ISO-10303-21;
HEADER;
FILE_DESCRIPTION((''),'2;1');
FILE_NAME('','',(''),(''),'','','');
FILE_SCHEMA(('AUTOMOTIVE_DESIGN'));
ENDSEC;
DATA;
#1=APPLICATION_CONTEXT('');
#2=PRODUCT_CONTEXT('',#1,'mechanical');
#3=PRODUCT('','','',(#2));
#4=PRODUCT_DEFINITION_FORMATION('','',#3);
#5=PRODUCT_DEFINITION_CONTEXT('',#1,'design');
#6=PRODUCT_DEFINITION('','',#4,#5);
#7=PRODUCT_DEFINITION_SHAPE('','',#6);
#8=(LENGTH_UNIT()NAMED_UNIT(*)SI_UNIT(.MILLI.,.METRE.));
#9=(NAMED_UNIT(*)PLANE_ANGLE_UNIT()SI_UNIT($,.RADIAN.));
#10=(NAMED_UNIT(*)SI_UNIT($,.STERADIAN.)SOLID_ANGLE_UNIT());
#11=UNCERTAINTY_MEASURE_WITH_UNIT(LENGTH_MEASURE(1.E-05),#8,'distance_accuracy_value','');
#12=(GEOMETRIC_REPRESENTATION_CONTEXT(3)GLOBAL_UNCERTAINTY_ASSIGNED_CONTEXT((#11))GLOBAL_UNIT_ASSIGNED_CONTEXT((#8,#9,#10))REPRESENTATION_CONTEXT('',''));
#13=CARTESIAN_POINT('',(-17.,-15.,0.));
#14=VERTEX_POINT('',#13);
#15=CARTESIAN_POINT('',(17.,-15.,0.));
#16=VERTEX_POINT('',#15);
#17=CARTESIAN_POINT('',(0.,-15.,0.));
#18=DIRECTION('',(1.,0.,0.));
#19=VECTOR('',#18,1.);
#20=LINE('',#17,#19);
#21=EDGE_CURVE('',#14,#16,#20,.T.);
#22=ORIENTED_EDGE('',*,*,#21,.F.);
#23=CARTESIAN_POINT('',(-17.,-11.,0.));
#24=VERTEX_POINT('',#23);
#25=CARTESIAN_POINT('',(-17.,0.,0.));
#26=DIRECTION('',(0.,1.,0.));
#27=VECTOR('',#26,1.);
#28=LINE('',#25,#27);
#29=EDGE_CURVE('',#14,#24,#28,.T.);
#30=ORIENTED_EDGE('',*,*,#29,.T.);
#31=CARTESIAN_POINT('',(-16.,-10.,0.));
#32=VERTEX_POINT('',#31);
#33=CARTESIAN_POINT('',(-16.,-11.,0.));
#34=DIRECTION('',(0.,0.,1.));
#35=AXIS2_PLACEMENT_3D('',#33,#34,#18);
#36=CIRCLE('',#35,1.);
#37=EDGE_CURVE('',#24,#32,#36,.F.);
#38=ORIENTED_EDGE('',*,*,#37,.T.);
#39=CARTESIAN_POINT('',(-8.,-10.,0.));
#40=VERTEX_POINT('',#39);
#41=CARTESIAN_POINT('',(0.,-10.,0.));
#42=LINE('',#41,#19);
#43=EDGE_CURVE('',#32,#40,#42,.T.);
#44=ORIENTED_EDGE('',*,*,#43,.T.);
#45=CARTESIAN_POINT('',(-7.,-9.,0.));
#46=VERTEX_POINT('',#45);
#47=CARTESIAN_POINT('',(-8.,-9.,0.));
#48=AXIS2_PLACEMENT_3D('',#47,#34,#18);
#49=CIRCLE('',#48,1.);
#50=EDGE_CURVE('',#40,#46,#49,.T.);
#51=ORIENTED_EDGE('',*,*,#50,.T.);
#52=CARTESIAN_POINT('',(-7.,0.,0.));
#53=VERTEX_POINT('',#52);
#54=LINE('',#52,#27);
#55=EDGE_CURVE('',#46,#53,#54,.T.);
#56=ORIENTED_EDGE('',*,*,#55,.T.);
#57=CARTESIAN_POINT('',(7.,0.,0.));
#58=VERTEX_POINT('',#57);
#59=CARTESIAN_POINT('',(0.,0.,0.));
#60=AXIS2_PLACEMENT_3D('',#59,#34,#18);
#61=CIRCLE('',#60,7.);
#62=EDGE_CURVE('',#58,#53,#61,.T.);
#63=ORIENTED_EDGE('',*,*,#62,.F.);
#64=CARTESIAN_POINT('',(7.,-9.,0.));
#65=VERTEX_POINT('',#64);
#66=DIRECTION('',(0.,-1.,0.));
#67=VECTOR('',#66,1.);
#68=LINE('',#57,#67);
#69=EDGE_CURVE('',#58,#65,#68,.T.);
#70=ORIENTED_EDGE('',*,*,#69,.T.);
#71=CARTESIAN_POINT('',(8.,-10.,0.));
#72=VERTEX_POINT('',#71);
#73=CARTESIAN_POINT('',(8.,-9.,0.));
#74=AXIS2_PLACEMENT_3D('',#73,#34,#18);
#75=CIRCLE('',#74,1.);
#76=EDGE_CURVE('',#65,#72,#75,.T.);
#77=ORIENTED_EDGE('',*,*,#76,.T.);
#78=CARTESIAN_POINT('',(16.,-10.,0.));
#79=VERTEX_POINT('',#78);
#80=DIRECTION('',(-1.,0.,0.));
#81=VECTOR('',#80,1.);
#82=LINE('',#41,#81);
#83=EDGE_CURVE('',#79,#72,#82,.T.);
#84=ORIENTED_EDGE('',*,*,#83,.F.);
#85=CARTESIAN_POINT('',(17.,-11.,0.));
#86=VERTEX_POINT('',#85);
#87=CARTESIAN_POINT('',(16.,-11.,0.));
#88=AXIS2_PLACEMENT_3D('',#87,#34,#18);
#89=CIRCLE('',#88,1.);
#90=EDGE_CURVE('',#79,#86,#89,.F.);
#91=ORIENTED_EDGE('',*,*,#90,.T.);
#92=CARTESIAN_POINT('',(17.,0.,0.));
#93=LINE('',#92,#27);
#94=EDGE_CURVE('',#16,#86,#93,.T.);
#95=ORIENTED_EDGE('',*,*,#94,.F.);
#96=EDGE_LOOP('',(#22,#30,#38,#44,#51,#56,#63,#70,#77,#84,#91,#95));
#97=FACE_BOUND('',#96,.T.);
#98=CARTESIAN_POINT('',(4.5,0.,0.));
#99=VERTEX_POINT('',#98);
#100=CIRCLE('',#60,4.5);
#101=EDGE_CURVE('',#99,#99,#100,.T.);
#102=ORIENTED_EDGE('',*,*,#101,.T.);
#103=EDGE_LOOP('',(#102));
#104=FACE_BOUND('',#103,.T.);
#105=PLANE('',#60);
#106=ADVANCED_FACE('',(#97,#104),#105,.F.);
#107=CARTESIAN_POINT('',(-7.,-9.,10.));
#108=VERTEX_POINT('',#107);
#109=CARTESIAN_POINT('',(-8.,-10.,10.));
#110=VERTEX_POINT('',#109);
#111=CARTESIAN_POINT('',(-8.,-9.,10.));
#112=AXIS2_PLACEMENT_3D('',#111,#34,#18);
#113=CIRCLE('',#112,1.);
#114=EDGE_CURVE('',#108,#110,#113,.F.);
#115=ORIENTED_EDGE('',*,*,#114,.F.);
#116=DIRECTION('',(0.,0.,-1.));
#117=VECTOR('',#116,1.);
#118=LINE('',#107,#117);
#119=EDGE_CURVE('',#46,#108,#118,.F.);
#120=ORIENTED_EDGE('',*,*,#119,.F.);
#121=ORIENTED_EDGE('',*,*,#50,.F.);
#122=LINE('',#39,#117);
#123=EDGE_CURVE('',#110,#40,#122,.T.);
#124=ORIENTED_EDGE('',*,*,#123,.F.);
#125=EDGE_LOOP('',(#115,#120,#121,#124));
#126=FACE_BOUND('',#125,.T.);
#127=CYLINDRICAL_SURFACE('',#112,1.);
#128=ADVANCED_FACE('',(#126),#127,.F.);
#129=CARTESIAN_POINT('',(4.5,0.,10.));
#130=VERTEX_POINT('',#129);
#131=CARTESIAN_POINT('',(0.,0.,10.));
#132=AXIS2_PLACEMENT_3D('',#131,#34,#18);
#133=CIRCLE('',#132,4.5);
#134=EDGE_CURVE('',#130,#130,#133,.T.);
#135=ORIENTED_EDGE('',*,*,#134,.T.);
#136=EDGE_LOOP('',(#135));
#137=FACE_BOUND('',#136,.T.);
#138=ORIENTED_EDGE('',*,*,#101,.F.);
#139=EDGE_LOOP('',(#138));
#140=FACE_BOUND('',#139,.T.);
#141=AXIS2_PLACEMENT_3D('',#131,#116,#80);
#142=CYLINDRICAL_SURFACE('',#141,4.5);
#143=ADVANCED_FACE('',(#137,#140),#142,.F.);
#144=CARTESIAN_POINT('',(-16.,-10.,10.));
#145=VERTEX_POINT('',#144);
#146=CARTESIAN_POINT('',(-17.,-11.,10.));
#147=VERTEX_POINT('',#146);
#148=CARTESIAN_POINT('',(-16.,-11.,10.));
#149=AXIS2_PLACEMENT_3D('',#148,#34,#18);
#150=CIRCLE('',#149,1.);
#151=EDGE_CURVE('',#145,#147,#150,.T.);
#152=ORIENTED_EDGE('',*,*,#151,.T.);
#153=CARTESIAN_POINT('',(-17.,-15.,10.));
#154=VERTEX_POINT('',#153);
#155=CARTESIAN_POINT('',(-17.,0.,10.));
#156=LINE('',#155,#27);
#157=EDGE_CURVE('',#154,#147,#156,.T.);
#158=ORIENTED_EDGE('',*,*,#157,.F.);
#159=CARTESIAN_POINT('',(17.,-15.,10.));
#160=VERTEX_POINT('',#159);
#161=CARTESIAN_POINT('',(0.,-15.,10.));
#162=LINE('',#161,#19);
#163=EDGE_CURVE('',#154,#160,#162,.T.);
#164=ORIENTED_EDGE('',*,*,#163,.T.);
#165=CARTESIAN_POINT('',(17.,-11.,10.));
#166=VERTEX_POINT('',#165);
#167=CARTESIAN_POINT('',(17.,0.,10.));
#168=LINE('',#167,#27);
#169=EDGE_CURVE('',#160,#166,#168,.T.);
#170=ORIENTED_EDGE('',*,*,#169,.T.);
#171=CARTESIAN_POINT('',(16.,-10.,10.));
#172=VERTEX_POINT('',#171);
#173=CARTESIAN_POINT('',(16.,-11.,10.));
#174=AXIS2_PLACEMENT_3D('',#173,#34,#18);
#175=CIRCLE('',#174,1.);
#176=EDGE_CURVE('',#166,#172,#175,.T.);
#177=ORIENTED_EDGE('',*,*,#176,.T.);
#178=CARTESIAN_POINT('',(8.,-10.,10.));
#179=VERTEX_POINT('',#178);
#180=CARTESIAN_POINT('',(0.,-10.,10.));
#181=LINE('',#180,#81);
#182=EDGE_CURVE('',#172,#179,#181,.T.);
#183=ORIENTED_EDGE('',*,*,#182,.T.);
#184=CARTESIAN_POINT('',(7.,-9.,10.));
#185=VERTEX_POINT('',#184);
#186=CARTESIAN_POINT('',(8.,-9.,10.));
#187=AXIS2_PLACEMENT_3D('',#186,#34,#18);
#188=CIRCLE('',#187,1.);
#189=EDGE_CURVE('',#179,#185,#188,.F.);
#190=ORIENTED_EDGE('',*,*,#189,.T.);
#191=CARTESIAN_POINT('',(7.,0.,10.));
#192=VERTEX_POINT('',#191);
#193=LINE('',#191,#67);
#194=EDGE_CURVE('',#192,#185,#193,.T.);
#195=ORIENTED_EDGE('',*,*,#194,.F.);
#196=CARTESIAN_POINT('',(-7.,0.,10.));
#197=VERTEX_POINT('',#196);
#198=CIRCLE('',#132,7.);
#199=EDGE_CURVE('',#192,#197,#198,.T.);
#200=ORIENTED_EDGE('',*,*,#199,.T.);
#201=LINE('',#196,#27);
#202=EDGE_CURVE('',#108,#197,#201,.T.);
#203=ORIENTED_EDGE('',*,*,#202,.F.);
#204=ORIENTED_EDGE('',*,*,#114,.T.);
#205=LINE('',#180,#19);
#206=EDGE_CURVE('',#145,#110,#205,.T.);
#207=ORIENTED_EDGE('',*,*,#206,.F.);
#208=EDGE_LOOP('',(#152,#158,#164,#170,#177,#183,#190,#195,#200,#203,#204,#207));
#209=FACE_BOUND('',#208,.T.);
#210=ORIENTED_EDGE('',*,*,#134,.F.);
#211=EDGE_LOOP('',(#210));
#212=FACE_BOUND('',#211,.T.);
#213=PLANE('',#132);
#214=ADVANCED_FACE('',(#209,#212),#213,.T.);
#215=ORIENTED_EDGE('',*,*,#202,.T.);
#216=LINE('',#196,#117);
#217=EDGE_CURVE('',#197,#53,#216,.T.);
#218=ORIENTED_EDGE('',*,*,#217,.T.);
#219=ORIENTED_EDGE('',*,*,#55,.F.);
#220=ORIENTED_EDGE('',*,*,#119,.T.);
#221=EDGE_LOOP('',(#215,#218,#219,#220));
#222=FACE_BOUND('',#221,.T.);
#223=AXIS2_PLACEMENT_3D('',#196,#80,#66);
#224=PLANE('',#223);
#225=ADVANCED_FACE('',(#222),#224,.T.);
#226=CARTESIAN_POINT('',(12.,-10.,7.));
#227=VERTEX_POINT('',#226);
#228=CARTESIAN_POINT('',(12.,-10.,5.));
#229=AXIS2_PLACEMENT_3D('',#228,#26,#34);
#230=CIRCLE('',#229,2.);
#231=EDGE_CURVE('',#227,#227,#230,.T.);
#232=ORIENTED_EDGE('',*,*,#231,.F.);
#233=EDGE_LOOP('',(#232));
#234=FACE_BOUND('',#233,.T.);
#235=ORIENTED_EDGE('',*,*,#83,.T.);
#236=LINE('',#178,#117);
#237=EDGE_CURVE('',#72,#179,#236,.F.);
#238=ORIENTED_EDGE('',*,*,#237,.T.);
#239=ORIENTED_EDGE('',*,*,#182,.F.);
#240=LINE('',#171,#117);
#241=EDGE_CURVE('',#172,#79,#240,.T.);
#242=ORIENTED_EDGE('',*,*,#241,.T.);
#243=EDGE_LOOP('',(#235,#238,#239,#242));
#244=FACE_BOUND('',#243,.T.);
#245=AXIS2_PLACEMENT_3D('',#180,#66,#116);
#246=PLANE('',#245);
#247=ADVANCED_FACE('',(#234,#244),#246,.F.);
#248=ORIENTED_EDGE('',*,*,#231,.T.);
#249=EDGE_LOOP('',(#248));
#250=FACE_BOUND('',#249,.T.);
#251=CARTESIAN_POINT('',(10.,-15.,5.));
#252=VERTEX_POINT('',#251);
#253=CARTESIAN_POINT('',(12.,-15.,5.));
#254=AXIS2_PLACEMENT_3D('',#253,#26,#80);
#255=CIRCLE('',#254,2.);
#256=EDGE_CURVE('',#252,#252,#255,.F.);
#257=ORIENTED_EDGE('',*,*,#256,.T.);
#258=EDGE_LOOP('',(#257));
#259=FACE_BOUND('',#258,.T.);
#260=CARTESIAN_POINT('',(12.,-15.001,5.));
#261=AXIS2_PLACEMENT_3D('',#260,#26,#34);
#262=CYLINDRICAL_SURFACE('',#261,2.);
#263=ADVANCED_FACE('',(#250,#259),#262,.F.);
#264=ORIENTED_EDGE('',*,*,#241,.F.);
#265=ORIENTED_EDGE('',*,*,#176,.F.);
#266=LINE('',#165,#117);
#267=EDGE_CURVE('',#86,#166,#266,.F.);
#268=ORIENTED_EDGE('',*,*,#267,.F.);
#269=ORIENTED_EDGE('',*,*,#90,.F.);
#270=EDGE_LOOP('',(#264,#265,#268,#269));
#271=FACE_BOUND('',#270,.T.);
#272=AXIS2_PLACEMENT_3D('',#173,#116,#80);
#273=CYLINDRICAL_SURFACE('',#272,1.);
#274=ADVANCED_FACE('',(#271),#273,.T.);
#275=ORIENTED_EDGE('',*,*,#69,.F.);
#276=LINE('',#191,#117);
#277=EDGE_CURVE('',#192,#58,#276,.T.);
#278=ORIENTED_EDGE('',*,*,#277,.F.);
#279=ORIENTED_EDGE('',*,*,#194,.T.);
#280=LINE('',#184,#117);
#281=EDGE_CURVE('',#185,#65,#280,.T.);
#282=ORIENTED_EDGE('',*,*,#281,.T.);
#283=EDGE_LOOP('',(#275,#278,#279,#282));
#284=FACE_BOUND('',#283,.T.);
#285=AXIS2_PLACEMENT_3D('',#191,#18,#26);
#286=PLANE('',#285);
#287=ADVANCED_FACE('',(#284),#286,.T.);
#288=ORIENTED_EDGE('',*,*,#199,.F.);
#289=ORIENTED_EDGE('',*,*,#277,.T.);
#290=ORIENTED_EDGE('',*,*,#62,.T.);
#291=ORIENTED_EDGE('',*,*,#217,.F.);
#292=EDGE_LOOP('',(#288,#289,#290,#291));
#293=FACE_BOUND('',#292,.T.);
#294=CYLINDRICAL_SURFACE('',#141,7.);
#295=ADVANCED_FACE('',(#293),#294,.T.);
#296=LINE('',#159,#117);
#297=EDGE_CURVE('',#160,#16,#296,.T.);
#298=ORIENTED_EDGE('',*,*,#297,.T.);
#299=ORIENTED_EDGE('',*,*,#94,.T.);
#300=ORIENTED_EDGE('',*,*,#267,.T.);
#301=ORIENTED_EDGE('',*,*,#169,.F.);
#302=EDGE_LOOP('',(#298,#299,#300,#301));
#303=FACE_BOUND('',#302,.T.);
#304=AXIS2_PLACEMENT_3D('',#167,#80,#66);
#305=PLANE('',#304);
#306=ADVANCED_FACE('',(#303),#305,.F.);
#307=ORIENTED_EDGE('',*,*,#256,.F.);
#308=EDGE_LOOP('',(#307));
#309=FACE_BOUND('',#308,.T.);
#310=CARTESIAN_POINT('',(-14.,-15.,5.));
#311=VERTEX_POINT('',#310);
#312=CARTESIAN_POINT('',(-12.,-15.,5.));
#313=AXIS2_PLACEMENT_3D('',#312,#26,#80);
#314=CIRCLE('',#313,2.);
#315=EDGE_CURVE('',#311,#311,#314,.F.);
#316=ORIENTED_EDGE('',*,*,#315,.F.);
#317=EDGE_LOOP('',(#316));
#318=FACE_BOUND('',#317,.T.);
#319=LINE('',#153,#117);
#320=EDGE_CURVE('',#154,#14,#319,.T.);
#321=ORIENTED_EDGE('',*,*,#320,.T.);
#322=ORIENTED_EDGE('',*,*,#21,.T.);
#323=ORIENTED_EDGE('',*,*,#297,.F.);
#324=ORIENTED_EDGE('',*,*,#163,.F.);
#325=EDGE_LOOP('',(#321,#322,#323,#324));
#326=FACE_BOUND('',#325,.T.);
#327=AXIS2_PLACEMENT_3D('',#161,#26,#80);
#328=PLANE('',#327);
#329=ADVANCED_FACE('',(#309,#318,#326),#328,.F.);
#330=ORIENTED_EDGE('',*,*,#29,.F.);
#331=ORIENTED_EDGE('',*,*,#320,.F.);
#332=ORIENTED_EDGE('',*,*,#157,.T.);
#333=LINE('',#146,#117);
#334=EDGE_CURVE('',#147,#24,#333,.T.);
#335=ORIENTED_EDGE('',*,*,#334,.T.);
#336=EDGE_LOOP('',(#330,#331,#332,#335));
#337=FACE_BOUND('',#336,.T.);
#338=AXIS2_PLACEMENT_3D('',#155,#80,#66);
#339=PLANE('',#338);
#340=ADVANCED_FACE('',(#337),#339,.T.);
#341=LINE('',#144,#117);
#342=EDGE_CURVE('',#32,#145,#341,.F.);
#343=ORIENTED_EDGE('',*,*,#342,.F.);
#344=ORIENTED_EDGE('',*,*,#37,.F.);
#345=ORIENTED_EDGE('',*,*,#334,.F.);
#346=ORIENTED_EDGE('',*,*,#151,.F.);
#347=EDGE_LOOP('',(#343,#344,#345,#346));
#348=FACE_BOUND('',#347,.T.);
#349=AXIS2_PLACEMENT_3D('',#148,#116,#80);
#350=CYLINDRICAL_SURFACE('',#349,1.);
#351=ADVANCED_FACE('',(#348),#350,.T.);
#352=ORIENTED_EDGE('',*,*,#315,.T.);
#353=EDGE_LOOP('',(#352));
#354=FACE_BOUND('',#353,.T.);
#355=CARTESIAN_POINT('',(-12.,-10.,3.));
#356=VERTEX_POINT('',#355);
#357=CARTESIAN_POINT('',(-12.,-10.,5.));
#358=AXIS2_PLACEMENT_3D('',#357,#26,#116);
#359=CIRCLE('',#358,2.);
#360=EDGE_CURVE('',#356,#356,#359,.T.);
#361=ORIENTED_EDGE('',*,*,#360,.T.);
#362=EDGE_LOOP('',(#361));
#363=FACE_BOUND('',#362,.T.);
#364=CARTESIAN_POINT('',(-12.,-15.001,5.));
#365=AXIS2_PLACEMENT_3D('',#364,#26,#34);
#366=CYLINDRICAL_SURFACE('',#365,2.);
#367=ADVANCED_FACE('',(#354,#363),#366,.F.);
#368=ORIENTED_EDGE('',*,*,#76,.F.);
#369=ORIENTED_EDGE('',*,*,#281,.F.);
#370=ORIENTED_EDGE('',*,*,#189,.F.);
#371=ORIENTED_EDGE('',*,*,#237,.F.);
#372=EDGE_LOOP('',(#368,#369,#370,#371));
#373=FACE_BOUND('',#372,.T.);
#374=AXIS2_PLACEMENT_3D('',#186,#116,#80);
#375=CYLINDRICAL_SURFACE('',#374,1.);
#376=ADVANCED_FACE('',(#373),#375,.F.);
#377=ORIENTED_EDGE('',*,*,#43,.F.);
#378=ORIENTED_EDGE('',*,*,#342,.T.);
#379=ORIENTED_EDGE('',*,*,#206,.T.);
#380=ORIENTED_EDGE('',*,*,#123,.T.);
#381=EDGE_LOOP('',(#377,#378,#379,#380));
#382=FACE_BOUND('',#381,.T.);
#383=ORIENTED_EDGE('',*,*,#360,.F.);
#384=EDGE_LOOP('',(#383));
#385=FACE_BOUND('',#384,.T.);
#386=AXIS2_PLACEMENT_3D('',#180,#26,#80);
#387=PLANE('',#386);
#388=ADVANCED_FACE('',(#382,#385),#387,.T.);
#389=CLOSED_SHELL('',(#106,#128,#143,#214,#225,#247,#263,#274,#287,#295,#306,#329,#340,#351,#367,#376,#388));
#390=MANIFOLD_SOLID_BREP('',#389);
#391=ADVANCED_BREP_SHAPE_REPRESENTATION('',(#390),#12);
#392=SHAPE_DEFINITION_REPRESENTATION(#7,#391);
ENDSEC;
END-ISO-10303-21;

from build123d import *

# Parameters (mm, degrees)
SKETCH_1_R          = 4.5
EXTRUDE_1_DEPTH     = 10
CUT_EXTRUDE_1_REACH = 7
SKETCH_2_R          = 2
FILLET_2_R          = 1


with BuildPart() as part:
    # 草圖1 → 填料-伸長1 (new body)
    with BuildSketch(Plane.XY):
        with BuildLine():
            Line((7, -10), (7, 0))
            ThreePointArc((7, 0), (0, 7), (-7, 0))
            Line((-7, 0), (-7, -10))
            Line((-7, -10), (-17, -10))
            Line((-17, -10), (-17, -15))
            Line((-17, -15), (17, -15))
            Line((17, -15), (17, -10))
            Line((17, -10), (7, -10))
        make_face()
        Circle(SKETCH_1_R, mode=Mode.SUBTRACT)
    extrude(amount=EXTRUDE_1_DEPTH)

    # 草圖2 → 除料-伸長1 (cut, up to next)
    with BuildSketch(Plane(origin=(0, -10, 0), x_dir=(1, 0, 0), z_dir=(0, 1, 0)), mode=Mode.PRIVATE) as cut_extrude_1_sk1:
        with Locations((12, -5)):
            Circle(SKETCH_2_R)
    cut_extrude_1_tool1 = extrude(cut_extrude_1_sk1.sketch, amount=-CUT_EXTRUDE_1_REACH, mode=Mode.PRIVATE) & part.part
    add(cut_extrude_1_tool1.solids().sort_by_distance((12, -10, 5))[0], mode=Mode.SUBTRACT)
    # 草圖2 → 除料-伸長1 (cut, up to next)
    with BuildSketch(Plane(origin=(0, -10, 0), x_dir=(1, 0, 0), z_dir=(0, 1, 0)), mode=Mode.PRIVATE) as cut_extrude_1_sk2:
        with Locations((-12, -5)):
            Circle(SKETCH_2_R)
    cut_extrude_1_tool2 = extrude(cut_extrude_1_sk2.sketch, amount=-CUT_EXTRUDE_1_REACH, mode=Mode.PRIVATE) & part.part
    add(cut_extrude_1_tool2.solids().sort_by_distance((-12, -10, 5))[0], mode=Mode.SUBTRACT)

    # 圓角2
    fillet_2_edges = [part.edges().sort_by_distance(p)[0] for p in [
        (-17, -10, 5),
        (-7, -10, 5),
        (7, -10, 5),
        (17, -10, 5),
    ]]
    fillet(fillet_2_edges, radius=FILLET_2_R)


solid = part.part
